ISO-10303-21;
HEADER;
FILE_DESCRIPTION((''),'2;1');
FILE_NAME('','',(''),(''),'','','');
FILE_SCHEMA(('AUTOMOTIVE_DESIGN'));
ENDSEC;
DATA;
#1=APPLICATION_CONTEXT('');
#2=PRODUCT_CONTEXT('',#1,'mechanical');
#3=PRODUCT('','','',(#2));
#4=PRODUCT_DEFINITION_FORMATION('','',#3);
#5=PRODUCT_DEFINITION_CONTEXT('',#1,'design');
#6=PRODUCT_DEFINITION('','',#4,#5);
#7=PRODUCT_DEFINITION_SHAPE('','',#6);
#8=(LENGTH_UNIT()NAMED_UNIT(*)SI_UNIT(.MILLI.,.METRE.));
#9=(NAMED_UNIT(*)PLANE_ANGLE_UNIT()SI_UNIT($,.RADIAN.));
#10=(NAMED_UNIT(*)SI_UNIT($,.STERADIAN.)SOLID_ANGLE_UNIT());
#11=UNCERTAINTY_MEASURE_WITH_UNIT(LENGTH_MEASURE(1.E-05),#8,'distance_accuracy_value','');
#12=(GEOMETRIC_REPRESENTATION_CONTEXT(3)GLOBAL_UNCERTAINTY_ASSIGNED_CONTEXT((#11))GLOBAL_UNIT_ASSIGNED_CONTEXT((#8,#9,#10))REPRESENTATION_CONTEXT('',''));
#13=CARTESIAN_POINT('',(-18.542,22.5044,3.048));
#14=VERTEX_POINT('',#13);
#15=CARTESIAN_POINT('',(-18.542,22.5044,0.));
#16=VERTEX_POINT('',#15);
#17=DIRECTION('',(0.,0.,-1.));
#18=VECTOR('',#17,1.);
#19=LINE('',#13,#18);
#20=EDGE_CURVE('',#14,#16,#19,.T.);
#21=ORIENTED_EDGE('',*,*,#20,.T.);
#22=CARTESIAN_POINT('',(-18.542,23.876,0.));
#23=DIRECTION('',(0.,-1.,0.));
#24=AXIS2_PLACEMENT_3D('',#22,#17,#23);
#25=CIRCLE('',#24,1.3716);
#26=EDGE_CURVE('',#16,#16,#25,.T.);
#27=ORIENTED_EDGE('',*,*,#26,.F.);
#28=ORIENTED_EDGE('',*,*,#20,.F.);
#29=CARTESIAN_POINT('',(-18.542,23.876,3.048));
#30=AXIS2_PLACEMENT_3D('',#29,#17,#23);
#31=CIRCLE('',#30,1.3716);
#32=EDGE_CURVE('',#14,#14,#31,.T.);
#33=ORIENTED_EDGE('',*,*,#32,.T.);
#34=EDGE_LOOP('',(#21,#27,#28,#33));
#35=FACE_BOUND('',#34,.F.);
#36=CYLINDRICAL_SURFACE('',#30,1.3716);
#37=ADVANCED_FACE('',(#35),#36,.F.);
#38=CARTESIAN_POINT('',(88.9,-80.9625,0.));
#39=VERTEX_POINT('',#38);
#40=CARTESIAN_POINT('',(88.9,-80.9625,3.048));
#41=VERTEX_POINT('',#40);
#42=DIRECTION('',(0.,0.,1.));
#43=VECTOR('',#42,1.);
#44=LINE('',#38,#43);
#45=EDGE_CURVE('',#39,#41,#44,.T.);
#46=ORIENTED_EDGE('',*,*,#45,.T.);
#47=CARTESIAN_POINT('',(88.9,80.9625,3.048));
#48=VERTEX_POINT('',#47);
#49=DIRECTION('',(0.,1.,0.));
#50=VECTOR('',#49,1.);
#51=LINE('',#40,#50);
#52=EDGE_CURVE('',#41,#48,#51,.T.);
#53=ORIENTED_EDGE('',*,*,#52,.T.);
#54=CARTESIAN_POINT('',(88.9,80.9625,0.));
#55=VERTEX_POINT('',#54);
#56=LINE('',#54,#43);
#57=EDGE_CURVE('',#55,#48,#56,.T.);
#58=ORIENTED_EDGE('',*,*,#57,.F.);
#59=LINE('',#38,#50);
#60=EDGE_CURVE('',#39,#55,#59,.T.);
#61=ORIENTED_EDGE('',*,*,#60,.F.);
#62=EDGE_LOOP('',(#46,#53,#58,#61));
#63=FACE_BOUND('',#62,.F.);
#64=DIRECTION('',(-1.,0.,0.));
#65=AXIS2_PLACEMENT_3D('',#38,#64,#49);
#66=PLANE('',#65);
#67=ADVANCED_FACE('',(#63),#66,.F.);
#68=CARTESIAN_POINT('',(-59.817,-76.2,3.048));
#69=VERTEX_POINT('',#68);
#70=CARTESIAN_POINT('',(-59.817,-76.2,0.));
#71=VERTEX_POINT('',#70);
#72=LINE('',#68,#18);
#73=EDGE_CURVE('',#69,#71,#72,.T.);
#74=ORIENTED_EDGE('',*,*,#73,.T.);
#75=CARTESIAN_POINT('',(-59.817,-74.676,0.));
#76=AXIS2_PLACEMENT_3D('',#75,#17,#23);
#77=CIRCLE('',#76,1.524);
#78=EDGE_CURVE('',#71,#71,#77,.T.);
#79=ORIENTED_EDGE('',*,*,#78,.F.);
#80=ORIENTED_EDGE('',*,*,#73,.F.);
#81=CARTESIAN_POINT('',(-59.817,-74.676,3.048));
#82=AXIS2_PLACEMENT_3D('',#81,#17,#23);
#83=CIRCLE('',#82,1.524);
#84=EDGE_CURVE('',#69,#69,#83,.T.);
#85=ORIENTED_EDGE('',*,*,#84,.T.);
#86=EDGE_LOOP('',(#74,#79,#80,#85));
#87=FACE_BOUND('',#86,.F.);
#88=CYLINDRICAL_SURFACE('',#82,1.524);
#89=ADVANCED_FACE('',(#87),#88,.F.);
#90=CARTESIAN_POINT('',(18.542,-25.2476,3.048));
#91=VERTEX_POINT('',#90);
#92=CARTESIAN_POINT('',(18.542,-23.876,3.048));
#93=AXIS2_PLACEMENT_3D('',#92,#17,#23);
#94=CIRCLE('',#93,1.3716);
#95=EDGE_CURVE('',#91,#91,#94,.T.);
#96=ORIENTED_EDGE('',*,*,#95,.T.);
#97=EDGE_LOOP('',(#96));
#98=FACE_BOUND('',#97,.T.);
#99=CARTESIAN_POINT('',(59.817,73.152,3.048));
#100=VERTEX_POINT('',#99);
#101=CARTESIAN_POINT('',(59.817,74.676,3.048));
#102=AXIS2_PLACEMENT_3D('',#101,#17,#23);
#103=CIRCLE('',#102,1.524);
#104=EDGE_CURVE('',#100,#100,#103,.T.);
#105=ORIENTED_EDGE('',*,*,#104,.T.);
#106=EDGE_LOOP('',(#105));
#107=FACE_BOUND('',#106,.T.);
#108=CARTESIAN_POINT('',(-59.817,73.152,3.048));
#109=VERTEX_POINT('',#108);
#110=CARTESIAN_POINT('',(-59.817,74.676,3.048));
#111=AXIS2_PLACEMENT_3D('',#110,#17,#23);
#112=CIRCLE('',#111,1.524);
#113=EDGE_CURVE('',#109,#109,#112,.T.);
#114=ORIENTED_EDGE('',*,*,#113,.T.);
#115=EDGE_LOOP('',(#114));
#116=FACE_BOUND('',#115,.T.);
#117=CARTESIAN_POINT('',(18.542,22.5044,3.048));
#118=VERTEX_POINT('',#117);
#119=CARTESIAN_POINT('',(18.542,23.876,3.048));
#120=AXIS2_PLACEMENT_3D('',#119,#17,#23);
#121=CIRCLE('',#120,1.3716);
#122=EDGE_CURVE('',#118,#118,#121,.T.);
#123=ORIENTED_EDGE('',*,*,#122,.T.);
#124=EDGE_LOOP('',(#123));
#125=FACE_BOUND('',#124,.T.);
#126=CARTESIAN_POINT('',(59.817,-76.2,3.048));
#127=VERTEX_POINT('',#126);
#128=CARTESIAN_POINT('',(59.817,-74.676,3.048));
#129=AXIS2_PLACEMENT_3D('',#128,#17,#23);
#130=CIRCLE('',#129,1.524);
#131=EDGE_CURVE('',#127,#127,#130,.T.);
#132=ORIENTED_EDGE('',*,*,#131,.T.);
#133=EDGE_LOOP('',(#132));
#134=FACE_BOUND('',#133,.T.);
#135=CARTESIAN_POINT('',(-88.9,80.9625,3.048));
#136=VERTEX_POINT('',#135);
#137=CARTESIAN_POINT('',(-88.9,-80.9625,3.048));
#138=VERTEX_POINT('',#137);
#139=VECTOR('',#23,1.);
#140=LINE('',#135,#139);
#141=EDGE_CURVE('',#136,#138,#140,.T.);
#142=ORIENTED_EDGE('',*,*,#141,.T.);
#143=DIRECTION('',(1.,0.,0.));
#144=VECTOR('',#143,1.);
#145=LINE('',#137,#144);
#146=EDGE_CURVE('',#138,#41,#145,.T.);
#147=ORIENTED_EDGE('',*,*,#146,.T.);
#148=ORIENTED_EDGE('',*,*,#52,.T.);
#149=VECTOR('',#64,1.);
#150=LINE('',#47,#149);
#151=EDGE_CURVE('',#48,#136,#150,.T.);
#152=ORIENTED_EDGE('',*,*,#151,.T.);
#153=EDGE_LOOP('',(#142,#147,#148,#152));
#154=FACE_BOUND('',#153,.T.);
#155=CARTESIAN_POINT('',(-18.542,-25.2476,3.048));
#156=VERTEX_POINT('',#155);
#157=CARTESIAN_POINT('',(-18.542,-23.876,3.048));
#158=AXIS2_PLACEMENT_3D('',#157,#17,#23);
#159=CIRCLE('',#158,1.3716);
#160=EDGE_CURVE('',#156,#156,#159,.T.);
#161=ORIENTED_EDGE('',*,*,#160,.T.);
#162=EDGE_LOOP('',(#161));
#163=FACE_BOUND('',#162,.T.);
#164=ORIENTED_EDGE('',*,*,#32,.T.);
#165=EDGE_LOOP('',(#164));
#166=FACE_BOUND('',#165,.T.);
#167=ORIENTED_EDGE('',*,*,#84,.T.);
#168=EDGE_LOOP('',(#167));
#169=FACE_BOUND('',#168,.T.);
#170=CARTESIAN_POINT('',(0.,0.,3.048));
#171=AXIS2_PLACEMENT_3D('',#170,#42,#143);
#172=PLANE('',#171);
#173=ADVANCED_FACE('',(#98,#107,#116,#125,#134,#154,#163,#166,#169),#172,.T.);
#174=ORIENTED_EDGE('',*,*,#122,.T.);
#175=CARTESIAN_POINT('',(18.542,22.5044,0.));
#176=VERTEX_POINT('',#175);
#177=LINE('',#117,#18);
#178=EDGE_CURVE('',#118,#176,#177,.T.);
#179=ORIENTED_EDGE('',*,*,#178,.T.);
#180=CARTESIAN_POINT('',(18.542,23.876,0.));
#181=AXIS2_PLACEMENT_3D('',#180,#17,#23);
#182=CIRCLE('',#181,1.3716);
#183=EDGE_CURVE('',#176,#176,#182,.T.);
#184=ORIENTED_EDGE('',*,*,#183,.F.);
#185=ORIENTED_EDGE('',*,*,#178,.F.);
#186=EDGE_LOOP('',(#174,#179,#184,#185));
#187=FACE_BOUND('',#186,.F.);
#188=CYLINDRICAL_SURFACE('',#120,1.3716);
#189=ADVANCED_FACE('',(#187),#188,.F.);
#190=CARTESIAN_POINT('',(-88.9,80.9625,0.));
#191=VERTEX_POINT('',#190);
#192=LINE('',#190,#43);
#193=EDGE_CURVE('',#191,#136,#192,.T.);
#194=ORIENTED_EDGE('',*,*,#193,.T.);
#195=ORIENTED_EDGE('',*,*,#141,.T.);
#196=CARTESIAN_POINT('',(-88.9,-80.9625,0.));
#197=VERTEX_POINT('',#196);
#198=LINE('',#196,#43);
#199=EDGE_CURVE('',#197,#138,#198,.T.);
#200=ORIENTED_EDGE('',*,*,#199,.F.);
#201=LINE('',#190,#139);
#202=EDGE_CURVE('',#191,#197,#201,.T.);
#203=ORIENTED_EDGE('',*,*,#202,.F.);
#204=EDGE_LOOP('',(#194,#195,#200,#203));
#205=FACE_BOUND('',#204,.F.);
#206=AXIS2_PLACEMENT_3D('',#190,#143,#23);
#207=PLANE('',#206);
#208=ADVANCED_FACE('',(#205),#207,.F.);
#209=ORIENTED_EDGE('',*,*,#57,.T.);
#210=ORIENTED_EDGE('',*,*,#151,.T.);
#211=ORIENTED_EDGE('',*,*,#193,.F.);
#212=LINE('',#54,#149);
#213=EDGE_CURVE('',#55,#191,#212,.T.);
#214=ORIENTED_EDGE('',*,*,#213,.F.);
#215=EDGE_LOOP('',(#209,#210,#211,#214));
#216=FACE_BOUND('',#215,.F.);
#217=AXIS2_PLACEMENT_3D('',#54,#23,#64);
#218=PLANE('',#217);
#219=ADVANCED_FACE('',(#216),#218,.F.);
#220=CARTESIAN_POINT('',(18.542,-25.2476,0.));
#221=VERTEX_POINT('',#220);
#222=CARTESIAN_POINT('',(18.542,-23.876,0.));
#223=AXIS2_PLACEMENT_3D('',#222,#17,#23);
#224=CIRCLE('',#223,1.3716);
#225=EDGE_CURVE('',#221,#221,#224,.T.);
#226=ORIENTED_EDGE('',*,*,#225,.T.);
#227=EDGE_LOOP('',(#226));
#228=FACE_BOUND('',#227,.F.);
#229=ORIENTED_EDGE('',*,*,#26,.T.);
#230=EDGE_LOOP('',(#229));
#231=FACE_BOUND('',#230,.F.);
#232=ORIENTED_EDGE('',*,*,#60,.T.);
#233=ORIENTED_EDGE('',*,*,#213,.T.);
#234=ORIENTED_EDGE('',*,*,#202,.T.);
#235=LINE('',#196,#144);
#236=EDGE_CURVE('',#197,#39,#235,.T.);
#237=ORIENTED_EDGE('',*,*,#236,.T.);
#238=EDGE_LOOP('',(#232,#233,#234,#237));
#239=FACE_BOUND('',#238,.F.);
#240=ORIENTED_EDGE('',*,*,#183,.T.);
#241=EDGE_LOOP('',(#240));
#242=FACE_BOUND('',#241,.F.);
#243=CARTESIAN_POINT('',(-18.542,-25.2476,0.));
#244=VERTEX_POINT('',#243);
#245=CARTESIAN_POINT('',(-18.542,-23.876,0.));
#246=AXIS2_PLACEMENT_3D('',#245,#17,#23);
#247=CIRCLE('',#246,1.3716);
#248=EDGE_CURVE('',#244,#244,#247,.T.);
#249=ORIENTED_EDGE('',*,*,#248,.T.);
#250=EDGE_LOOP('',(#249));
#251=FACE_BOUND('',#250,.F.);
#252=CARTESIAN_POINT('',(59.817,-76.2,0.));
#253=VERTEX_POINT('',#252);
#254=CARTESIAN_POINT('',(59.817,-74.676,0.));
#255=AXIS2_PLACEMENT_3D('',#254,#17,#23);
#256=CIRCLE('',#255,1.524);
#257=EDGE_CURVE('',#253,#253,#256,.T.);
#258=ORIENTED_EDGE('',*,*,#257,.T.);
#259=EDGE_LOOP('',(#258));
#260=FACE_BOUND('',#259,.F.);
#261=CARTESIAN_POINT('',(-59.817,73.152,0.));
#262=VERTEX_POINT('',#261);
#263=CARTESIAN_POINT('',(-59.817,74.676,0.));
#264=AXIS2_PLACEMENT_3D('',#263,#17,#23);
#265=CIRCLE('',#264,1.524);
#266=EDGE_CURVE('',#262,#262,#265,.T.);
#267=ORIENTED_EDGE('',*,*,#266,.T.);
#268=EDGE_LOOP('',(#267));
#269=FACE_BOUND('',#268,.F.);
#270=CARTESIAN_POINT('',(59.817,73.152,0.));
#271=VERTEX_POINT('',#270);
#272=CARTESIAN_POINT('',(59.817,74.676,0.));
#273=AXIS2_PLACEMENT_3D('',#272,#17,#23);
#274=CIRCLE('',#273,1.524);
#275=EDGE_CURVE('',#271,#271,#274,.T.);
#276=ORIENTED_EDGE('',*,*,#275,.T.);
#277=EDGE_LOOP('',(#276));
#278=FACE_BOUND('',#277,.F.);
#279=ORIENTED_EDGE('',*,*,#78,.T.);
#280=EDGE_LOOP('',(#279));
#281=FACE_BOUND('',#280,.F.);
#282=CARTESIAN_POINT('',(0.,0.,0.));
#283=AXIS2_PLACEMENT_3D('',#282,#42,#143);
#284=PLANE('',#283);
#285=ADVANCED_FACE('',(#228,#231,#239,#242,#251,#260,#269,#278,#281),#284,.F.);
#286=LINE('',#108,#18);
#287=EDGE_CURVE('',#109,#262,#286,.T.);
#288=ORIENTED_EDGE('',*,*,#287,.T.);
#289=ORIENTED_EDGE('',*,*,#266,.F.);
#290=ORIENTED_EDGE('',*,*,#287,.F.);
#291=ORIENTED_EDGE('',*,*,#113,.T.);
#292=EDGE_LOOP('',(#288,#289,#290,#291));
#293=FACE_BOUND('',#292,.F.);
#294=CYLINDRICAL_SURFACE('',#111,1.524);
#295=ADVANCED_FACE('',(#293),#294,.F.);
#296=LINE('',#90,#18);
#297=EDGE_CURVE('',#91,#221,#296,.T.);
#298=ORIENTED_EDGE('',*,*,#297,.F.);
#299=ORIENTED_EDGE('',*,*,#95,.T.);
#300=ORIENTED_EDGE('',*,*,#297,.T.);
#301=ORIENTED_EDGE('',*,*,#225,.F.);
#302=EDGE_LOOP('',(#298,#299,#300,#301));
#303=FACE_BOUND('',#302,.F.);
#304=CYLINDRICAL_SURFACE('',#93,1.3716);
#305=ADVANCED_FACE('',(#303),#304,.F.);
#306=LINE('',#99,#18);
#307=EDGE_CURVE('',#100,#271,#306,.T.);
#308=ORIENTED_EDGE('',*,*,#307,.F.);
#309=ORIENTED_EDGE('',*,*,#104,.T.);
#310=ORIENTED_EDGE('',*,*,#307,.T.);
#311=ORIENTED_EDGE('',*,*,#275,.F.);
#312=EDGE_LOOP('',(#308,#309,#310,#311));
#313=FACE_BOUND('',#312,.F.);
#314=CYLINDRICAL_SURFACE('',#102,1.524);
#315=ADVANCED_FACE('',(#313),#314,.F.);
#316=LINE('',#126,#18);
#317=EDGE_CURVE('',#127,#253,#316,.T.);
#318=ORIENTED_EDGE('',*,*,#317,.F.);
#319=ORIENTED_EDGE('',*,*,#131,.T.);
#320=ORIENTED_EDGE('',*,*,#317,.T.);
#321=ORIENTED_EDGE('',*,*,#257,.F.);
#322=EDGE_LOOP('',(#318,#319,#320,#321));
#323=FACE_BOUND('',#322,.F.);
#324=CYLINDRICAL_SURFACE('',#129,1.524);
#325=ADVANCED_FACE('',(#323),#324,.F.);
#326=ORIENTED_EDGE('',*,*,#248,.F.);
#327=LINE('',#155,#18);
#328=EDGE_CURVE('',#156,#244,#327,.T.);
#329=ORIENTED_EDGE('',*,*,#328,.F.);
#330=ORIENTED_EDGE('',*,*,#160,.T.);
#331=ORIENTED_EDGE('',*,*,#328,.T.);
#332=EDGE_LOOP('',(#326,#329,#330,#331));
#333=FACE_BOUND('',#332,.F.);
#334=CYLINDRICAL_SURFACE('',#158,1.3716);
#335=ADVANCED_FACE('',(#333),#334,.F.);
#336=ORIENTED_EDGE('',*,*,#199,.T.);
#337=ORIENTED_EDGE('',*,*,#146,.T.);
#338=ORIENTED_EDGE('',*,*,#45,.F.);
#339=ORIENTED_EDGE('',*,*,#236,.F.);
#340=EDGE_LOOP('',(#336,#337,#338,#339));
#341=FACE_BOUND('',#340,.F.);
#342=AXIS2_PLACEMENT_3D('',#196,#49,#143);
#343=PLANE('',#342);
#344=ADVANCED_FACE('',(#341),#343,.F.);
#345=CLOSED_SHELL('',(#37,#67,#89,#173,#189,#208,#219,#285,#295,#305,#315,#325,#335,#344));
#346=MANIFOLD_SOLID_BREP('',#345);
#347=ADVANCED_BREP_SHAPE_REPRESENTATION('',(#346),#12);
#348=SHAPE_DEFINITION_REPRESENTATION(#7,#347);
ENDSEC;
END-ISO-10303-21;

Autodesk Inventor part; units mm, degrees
ref_plane "YZ Plane" through (0, 0, 0) normal (1, 0, 0) x (0, 1, 0)
ref_plane "XZ Plane" through (0, 0, 0) normal (0, 1, 0) x (-1, 0, 0)
ref_plane "XY Plane" through (0, 0, 0) normal (0, 0, 1) x (1, 0, 0)
sketch "Sketch1" plane through (0, 0, 0) normal (0, 0, 1) x (1, 0, 0)
  line L0 (-88.9, -80.9625) -> (88.9, -80.9625)
  line L1 (88.9, -80.9625) -> (88.9, 80.9625)
  line L2 (88.9, 80.9625) -> (-88.9, 80.9625)
  line L3 (-88.9, 80.9625) -> (-88.9, -80.9625)
  line L4 (-88.9, -80.9625) -> (88.9, 80.9625) construction
  line L5 (88.9, -80.9625) -> (-88.9, 80.9625) construction
  point P0 (0, 0)
  dimension "d0" = 177.8
  dimension "d1" = 161.925
extrude "Extrusion1" add sketch "Sketch1" along normal blind 3.048
sketch "Sketch2" plane through (0, 0, 3.048) normal (0, 0, 1) x (1, 0, 0)
  line L0 (-59.817, -74.676) -> (59.817, -74.676)
  line L1 (59.817, -74.676) -> (59.817, 74.676)
  line L2 (59.817, 74.676) -> (-59.817, 74.676)
  line L3 (-59.817, 74.676) -> (-59.817, -74.676)
  line L4 (-59.817, -74.676) -> (59.817, 74.676) construction
  line L5 (59.817, -74.676) -> (-59.817, 74.676) construction
  point P0 (0, 0)
  dimension "d4" = 119.634
  dimension "d5" = 149.352
hole "Hole1" at (-59.817, 74.676, 3.048) at (-59.817, -74.676, 3.048) at (59.817, -74.676, 3.048) at (59.817, 74.676, 3.048) direction (0, 0, -1) diameter 3.048 end through all
sketch "Sketch3" plane through (0, 0, 3.048) normal (0, 0, 1) x (1, 0, 0)
  line L0 (-18.542, -23.876) -> (18.542, -23.876)
  line L1 (18.542, -23.876) -> (18.542, 23.876)
  line L2 (18.542, 23.876) -> (-18.542, 23.876)
  line L3 (-18.542, 23.876) -> (-18.542, -23.876)
  line L4 (-18.542, -23.876) -> (18.542, 23.876) construction
  line L5 (18.542, -23.876) -> (-18.542, 23.876) construction
  point P0 (0, 0)
  dimension "d13" = 37.084
  dimension "d14" = 47.752
hole "Hole2" at (-18.542, 23.876, 3.048) at (18.542, 23.876, 3.048) at (18.542, -23.876, 3.048) at (-18.542, -23.876, 3.048) direction (0, 0, -1) diameter 2.7432 end through all
properties part number "side plate"
